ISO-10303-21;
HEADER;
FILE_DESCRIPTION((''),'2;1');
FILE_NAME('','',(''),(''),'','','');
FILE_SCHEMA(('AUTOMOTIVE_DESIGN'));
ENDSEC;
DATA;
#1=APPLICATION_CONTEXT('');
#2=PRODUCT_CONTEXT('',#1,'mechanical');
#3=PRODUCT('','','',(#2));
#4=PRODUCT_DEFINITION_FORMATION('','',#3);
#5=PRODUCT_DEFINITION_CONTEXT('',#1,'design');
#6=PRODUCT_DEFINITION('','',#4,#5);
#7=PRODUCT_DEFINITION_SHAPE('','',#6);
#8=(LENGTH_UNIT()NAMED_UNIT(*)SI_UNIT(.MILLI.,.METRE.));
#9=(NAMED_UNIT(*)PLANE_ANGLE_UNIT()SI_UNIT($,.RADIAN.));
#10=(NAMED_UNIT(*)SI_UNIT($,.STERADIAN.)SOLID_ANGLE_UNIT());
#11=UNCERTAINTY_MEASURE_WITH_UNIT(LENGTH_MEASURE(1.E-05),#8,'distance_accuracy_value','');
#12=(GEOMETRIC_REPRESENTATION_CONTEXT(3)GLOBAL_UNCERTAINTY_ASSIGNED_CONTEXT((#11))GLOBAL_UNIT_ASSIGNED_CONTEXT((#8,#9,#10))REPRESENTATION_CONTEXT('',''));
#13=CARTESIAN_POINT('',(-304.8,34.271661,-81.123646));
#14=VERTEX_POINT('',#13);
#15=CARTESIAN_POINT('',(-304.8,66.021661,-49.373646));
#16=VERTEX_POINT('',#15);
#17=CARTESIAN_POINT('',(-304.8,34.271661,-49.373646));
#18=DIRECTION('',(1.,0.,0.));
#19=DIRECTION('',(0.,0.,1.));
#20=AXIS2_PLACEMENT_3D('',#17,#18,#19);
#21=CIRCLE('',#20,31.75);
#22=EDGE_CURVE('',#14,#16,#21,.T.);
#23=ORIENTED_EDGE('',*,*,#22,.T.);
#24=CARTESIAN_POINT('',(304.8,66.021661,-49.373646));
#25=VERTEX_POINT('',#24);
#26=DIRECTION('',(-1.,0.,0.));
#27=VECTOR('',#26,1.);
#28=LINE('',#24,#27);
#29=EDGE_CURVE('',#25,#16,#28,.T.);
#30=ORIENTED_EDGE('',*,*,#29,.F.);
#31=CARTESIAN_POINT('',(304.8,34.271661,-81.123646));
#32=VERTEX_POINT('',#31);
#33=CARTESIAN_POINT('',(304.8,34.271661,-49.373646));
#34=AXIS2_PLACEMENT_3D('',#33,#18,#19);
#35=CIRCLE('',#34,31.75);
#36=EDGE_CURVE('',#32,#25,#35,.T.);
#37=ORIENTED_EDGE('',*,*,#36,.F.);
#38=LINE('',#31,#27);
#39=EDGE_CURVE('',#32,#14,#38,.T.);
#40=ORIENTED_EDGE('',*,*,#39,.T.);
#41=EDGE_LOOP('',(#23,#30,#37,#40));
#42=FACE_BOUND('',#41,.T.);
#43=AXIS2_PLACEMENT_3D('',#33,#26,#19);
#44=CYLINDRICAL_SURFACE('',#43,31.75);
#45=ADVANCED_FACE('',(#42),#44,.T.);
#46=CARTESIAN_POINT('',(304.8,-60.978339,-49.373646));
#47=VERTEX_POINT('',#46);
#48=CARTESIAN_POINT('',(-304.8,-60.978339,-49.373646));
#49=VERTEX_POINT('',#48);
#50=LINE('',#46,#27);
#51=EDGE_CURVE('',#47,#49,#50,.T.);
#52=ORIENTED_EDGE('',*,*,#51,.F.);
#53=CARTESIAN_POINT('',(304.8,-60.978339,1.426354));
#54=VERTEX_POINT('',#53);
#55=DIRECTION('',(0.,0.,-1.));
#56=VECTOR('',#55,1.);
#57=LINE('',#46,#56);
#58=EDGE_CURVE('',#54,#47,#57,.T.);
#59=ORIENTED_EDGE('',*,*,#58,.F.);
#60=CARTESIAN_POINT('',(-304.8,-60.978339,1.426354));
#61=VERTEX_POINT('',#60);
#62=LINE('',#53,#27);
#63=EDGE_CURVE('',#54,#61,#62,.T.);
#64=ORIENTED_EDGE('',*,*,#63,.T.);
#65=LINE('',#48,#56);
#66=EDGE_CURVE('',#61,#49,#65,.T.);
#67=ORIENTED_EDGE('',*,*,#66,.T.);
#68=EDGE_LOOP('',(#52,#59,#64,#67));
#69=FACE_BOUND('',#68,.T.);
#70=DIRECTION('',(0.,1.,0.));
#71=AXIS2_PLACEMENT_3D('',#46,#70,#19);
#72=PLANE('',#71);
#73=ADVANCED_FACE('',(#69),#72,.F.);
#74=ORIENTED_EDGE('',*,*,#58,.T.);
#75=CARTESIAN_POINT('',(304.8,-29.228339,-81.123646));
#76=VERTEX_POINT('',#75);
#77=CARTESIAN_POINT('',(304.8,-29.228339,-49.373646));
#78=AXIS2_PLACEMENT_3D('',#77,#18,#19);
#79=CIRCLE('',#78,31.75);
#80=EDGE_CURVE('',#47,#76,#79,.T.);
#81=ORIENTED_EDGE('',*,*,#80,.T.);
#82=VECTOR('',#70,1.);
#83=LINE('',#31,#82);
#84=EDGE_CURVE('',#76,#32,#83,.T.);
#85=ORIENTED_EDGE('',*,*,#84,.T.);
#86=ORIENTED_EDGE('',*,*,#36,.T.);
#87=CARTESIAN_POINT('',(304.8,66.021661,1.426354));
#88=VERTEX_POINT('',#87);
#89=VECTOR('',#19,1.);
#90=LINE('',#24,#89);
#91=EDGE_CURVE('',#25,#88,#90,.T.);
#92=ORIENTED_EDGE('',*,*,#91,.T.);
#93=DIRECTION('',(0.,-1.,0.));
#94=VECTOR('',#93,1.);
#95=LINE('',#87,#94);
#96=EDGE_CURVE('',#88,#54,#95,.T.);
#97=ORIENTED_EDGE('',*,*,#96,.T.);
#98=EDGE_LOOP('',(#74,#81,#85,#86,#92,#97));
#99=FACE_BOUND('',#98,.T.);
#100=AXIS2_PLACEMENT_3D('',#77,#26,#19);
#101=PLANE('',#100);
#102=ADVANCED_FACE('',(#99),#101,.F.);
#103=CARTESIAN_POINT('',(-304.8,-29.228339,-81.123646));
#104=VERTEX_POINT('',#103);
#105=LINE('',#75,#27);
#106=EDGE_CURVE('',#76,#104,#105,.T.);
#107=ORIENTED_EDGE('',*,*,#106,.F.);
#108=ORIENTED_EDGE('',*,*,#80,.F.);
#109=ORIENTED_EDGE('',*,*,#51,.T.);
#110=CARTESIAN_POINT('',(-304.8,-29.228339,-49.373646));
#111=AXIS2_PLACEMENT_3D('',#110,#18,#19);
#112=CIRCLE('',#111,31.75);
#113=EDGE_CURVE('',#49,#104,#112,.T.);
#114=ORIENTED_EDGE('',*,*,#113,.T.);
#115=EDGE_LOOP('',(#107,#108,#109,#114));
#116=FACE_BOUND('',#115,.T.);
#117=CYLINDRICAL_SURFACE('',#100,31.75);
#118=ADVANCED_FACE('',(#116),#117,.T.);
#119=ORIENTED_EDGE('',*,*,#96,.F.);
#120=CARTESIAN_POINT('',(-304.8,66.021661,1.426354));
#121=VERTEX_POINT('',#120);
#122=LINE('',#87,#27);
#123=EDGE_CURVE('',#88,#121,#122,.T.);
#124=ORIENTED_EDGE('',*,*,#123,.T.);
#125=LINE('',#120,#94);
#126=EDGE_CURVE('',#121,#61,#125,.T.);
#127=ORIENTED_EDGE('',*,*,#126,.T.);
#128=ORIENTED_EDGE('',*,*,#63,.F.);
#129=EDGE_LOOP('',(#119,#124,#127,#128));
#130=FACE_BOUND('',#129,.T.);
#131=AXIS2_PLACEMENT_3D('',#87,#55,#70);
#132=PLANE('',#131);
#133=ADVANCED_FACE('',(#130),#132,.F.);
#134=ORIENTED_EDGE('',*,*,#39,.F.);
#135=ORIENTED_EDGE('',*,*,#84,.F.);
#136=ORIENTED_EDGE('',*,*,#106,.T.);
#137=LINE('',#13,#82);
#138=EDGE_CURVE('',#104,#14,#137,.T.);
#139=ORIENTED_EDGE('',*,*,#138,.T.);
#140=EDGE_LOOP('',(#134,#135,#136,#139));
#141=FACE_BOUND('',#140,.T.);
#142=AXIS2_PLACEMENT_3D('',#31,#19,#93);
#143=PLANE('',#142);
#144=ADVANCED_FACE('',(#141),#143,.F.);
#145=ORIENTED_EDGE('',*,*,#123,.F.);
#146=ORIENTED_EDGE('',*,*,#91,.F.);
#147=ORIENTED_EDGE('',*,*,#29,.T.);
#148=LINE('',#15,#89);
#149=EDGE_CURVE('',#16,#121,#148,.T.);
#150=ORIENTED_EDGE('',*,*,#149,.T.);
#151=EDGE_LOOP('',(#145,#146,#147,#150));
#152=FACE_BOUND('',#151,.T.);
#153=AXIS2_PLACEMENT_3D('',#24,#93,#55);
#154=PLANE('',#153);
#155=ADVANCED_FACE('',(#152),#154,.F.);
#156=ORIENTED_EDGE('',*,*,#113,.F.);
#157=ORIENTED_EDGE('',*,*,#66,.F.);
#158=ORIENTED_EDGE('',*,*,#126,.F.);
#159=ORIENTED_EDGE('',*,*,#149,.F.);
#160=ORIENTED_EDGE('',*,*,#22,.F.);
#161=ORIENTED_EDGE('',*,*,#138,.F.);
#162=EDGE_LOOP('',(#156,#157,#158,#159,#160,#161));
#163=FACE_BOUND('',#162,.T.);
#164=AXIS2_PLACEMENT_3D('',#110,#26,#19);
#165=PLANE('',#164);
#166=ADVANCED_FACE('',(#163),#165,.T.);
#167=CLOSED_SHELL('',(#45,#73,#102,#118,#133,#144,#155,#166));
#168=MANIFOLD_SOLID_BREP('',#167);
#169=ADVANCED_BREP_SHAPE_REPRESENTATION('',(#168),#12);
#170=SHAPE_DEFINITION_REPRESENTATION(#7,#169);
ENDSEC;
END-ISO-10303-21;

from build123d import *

# Parameters (mm, degrees)
BOSS_EXTRUDE1_DEPTH = 304.8


with BuildPart() as part:
    # Sketch1 → Boss-Extrude1 (new, symmetric)
    with BuildSketch(Plane(origin=(0, 0, 0), x_dir=(0, 0, -1), z_dir=(1, 0, 0))):
        with BuildLine():
            Line((49.373646209, 66.02166065), (-1.426353791, 66.02166065))
            Line((-1.426353791, 66.02166065), (-1.426353791, -60.97833935))
            Line((-1.426353791, -60.97833935), (49.373646209, -60.97833935))
            ThreePointArc((49.373646209, -60.97833935), (71.824286512, -51.678979653), (81.123646209, -29.22833935))
            Line((81.123646209, -29.22833935), (81.123646209, 34.27166065))
            ThreePointArc((81.123646209, 34.27166065), (71.824286512, 56.722300952), (49.373646209, 66.02166065))
        make_face()
    extrude(amount=BOSS_EXTRUDE1_DEPTH, both=True)


solid = part.part
